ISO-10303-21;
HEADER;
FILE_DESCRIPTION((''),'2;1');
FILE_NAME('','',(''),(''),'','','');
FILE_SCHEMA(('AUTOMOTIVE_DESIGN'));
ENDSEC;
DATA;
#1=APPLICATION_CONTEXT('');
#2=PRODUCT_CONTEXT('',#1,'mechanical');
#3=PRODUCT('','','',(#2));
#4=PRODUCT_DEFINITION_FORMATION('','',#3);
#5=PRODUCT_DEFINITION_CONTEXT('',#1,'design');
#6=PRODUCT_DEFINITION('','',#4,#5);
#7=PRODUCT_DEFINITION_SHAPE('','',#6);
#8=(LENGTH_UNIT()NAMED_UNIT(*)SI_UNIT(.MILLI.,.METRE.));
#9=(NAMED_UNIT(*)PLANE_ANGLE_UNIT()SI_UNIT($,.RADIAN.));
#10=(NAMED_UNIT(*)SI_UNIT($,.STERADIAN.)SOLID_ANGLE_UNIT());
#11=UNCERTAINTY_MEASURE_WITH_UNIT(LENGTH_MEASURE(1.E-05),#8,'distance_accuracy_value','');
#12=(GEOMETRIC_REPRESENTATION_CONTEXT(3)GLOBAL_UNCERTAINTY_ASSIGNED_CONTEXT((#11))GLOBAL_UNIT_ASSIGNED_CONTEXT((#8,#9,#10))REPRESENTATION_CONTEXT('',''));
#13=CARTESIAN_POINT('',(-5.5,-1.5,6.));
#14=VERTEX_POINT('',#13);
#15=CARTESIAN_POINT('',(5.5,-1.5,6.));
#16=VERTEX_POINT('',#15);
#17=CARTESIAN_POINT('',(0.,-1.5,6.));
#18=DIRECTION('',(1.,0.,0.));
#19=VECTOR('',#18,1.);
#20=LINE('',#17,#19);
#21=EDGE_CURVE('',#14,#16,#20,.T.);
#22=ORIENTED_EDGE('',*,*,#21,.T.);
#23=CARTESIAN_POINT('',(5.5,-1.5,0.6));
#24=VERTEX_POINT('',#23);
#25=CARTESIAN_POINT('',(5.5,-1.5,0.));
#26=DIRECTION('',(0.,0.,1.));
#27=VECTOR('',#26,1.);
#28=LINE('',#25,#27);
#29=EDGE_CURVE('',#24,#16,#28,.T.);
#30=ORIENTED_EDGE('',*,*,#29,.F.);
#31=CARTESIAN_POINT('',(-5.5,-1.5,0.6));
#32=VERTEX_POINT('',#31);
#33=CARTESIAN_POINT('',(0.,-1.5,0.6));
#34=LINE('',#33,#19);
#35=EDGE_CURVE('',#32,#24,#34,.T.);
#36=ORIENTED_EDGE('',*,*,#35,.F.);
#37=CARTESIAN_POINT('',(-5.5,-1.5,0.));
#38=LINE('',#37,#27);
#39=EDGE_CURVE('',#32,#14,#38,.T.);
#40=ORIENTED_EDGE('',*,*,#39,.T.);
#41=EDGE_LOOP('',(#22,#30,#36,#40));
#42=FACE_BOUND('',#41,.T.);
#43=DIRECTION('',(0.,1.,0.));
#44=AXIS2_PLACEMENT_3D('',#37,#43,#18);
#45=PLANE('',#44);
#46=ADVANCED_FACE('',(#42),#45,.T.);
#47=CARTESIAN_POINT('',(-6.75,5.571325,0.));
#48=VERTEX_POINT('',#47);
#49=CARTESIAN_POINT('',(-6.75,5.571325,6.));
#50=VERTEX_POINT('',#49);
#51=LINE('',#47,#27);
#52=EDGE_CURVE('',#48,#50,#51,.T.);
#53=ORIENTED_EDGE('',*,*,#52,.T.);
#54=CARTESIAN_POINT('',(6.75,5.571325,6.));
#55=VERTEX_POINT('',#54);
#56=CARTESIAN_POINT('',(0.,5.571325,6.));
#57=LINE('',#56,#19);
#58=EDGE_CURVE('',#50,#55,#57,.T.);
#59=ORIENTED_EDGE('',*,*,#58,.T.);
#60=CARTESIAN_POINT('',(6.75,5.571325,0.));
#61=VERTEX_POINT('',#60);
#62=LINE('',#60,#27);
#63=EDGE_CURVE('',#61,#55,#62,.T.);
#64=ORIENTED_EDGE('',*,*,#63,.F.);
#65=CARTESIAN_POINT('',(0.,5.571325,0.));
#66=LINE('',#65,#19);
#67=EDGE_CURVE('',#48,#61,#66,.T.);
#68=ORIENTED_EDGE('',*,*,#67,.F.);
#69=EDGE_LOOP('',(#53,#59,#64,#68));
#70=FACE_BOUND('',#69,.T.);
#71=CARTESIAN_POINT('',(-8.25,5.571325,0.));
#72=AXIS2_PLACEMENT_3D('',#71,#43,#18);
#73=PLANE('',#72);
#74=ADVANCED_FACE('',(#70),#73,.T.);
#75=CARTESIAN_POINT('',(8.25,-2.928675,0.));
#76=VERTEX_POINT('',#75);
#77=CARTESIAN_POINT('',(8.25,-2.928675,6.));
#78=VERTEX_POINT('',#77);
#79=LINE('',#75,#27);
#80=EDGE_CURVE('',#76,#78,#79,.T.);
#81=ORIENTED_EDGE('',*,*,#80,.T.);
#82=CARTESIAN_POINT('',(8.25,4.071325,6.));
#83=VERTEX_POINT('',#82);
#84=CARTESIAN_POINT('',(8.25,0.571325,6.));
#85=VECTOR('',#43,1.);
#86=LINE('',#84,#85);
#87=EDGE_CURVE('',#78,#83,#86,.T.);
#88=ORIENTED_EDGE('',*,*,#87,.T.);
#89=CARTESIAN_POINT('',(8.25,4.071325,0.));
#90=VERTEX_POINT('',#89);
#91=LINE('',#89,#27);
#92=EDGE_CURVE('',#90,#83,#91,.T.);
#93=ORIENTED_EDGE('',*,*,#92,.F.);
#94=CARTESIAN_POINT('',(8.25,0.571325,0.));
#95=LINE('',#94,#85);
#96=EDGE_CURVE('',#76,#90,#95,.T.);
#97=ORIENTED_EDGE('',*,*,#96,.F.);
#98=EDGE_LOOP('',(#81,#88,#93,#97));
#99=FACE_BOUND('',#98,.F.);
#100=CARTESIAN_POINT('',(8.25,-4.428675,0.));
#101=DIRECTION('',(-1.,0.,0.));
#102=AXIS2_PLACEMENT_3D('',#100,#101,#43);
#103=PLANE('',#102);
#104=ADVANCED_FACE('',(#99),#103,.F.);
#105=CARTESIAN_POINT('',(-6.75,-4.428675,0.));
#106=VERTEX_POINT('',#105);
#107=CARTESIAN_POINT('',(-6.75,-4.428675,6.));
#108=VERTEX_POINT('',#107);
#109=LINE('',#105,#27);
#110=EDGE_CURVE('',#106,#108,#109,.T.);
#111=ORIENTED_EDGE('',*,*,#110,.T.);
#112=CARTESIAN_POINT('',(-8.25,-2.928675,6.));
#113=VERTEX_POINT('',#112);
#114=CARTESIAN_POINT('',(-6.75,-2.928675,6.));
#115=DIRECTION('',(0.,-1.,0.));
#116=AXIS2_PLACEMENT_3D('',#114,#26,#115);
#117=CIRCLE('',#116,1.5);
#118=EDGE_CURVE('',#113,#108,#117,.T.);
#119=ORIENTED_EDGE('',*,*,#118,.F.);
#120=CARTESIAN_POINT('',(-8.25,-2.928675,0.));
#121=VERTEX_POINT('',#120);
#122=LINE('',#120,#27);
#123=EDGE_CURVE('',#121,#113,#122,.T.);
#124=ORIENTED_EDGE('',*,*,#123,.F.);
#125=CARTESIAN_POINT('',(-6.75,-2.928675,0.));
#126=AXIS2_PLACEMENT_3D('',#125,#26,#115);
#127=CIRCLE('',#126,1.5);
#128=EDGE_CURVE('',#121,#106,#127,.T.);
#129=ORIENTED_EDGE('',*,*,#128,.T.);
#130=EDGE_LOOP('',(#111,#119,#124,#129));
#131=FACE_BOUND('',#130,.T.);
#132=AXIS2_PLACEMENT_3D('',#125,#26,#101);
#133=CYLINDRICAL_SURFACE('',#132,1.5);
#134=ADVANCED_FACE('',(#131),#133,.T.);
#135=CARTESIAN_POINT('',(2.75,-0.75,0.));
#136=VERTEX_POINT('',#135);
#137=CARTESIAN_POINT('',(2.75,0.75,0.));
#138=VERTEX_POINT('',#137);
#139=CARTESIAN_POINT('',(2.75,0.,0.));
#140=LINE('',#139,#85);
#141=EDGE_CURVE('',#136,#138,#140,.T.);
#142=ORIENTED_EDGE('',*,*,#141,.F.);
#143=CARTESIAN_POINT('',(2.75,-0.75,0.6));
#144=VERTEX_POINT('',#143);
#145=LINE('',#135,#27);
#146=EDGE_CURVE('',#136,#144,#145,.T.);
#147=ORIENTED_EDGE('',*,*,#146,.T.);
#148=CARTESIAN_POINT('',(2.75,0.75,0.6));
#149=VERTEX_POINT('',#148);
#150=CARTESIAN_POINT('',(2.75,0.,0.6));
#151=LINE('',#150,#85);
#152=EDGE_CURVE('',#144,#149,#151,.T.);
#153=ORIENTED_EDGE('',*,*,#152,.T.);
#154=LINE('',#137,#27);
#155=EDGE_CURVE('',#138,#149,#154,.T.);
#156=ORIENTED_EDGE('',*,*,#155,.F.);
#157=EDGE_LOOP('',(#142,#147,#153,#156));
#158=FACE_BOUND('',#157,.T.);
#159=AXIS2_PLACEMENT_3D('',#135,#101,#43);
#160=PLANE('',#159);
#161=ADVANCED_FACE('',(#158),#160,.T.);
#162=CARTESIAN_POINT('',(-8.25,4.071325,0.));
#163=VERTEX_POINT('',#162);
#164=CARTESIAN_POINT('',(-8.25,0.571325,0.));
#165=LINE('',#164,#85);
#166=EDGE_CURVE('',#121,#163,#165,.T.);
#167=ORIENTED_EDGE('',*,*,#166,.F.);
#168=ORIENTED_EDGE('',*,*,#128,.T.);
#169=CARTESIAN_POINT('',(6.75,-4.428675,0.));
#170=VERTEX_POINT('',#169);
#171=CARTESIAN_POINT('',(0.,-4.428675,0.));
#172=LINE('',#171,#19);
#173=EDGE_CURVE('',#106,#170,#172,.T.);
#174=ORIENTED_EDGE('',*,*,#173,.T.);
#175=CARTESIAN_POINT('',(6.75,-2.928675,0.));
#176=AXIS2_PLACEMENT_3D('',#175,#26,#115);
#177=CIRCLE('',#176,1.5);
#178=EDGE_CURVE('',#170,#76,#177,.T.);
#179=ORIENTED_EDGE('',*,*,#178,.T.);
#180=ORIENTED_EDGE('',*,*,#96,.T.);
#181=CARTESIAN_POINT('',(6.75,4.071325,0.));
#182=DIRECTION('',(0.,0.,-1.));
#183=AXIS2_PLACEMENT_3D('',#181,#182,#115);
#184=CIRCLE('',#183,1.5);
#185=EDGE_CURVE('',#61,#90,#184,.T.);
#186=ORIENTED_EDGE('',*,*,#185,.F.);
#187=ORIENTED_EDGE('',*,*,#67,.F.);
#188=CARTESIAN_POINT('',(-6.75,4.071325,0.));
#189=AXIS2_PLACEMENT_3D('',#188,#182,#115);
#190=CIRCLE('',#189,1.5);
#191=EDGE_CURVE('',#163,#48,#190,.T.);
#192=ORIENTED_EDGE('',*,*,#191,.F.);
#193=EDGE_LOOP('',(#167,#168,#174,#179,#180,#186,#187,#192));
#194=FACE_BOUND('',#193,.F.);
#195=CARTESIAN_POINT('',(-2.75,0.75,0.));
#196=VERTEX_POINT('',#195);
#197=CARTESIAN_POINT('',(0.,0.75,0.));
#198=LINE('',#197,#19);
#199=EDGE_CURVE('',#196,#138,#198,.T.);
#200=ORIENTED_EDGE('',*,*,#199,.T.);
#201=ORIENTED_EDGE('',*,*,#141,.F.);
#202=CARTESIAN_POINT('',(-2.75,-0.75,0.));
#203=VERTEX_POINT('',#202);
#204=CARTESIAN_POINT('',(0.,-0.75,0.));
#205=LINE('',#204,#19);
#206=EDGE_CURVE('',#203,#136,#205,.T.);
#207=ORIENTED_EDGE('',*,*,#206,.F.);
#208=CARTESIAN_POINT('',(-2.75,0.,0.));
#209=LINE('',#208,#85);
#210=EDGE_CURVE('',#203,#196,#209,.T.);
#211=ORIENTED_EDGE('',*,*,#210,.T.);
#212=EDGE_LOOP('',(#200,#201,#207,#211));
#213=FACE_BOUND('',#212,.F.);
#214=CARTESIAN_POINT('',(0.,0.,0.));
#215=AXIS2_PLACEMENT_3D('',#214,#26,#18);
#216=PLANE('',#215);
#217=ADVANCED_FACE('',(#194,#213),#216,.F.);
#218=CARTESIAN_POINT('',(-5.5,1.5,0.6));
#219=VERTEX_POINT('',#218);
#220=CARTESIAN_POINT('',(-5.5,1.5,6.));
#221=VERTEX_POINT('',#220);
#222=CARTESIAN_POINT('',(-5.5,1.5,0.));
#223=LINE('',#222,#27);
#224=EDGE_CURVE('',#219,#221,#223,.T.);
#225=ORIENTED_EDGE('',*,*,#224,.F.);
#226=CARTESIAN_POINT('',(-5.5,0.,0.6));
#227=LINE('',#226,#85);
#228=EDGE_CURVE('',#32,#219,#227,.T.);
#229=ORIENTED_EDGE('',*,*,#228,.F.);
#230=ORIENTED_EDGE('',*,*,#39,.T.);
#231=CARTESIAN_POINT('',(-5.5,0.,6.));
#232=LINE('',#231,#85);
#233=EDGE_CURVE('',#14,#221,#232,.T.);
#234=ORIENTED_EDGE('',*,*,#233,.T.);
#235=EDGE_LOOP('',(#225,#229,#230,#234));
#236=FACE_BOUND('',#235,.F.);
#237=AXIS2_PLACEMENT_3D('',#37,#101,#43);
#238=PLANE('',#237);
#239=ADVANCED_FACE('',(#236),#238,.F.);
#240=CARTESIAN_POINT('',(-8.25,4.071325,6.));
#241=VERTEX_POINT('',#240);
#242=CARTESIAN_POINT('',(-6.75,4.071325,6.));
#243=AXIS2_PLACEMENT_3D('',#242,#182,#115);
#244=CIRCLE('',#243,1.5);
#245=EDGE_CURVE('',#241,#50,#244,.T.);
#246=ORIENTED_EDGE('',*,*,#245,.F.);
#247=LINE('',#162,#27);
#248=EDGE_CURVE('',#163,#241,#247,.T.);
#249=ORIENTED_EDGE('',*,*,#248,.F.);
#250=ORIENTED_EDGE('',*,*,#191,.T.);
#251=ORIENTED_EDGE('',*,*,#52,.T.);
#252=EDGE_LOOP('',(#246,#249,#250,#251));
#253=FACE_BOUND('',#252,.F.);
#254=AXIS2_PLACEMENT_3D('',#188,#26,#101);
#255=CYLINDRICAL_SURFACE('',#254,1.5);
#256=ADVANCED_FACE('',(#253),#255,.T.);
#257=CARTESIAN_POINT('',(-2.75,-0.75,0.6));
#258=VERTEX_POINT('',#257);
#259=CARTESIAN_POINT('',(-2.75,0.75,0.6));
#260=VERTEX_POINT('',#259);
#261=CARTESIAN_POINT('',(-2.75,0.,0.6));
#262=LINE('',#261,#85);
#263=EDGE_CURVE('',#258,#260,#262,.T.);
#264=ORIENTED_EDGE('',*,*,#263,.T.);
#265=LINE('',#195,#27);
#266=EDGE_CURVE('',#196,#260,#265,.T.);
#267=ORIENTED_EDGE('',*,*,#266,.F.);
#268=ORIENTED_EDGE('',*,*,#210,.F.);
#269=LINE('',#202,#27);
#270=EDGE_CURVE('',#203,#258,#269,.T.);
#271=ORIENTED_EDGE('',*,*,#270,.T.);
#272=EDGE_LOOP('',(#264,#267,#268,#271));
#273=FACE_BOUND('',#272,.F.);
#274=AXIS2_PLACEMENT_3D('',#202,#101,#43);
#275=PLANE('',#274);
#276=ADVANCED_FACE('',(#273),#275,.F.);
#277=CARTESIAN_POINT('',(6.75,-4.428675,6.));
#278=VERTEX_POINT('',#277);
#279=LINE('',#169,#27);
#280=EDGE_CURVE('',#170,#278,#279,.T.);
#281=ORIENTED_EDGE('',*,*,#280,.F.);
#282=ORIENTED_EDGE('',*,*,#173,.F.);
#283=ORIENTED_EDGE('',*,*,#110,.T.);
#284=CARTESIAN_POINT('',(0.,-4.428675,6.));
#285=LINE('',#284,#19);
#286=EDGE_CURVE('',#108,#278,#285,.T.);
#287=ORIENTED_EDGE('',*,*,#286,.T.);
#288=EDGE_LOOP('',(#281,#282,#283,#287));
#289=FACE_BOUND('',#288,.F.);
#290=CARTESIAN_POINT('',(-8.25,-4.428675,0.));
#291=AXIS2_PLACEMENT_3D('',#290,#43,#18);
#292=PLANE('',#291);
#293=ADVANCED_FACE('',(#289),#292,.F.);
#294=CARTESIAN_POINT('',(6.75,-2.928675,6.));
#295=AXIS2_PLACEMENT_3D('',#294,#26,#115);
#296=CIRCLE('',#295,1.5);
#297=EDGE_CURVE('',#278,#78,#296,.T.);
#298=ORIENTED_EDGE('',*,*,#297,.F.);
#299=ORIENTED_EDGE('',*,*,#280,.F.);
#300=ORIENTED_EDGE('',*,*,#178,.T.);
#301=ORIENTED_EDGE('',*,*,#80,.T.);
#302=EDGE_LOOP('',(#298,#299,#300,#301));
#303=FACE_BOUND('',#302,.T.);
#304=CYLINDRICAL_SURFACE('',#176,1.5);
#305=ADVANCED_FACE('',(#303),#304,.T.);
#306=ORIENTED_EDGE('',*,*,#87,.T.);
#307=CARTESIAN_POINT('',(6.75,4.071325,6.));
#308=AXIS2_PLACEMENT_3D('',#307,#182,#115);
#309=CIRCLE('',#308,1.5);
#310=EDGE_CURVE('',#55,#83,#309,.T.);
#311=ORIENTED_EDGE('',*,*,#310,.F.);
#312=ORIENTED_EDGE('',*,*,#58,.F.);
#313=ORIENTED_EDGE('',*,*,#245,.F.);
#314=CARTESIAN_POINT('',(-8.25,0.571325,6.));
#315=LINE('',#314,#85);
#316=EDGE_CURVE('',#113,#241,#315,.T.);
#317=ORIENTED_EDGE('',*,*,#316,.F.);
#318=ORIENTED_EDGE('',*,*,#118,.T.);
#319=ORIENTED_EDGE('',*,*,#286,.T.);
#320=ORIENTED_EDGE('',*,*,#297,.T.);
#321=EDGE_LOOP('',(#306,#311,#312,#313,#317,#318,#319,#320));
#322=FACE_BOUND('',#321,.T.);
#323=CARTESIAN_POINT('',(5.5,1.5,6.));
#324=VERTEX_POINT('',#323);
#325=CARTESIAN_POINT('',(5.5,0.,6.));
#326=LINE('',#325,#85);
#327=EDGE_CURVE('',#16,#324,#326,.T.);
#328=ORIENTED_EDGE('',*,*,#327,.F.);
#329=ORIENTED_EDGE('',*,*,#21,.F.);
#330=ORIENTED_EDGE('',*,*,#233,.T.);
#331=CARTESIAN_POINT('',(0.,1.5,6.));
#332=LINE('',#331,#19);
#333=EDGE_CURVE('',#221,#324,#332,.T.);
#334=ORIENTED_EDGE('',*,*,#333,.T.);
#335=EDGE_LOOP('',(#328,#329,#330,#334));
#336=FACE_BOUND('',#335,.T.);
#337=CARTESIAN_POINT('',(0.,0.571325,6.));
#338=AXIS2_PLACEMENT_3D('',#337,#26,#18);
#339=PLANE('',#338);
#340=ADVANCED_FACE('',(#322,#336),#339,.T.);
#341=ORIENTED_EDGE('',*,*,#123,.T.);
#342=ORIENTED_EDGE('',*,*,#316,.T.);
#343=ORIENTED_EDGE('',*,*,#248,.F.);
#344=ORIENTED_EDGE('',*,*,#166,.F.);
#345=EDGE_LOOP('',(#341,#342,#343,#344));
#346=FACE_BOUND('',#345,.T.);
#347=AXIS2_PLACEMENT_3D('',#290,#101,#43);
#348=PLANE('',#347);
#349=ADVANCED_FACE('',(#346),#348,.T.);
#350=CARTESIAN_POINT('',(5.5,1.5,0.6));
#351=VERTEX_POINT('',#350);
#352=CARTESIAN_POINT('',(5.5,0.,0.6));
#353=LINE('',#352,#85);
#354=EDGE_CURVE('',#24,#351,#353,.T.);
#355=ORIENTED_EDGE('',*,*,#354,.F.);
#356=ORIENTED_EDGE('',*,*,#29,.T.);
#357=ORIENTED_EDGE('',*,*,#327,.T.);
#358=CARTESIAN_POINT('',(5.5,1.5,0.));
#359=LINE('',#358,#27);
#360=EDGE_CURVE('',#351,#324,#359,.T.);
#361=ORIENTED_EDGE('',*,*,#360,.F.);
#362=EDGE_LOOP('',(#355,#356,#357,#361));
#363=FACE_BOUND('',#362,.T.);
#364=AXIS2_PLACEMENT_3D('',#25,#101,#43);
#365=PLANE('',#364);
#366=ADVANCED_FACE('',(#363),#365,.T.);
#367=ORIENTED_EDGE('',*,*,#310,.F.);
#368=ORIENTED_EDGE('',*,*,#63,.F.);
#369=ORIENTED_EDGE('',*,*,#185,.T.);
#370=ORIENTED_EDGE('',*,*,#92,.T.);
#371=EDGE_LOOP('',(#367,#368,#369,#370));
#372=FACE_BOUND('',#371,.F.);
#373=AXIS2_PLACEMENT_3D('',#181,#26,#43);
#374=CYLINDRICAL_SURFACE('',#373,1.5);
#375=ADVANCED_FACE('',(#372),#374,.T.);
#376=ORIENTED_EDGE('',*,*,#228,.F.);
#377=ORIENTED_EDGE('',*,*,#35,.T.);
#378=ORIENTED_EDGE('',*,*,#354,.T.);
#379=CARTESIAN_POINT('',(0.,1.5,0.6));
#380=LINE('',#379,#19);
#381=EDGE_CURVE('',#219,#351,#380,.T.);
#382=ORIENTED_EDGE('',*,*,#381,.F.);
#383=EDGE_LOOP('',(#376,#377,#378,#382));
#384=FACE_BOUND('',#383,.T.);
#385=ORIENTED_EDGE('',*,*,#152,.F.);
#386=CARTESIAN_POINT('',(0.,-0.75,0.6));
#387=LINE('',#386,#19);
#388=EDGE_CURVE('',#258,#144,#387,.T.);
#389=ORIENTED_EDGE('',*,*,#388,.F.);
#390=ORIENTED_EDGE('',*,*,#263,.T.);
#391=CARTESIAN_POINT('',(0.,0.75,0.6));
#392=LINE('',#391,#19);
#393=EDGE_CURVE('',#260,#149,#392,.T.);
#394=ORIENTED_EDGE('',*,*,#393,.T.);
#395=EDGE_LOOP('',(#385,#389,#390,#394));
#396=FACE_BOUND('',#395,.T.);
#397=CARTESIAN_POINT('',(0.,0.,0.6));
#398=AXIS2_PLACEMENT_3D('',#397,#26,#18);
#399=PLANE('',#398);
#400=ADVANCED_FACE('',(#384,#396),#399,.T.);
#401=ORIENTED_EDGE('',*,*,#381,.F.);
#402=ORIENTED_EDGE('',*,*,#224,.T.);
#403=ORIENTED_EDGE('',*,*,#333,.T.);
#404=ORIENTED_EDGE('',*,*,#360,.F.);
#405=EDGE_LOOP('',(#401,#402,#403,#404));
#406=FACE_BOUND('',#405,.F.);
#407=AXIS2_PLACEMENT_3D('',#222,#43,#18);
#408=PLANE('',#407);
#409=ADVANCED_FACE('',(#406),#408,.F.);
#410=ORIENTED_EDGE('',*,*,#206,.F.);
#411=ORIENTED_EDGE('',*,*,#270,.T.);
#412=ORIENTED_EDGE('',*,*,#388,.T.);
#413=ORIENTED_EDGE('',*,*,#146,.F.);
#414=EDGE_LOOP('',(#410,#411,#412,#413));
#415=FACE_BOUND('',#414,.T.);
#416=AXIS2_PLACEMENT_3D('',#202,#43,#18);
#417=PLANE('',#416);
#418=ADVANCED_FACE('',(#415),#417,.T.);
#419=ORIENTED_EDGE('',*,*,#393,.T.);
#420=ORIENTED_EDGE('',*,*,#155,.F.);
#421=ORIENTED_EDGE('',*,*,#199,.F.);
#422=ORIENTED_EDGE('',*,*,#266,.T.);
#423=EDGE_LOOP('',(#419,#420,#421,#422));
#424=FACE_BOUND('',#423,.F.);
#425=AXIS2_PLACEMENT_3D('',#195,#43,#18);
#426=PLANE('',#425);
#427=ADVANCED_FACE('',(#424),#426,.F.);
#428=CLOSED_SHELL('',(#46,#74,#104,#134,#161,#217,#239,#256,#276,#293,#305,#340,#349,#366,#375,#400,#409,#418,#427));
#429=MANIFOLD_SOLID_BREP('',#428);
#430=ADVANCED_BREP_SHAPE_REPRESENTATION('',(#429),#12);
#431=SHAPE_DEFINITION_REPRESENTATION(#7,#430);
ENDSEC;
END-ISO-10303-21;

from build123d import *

# Parameters (mm, degrees)
F0_W     = 16.5
F0_H     = 10
F0_W_2   = 11
F0_H_2   = 3
F1_DEPTH = 6
F2_R     = 1.5
F0_W_3   = 5.5
F0_H_3   = 1.5
F3_DEPTH = 0.6


with BuildPart() as f1:
    # F0 (on Top) → F1 (new body)
    with BuildSketch(Plane.XY):
        with Locations((0, 0.571325)):
            Rectangle(F0_W, F0_H)
        Rectangle(F0_W_2, F0_H_2, mode=Mode.SUBTRACT)
    extrude(amount=F1_DEPTH)

    # F2
    f2_edges = [f1.edges().sort_by_distance(p)[0] for p in [
        (-8.25, 5.571325, 3),
        (8.25, 5.571325, 3),
        (8.25, -4.428675, 3),
        (-8.25, -4.428675, 3),
    ]]
    fillet(f2_edges, radius=F2_R)

    # F0 (on Top) → F3 (join)
    with BuildSketch(Plane.XY):
        Rectangle(F0_W_2, F0_H_2)
        Rectangle(F0_W_3, F0_H_3, mode=Mode.SUBTRACT)
    extrude(amount=F3_DEPTH)


solid = f1.part
